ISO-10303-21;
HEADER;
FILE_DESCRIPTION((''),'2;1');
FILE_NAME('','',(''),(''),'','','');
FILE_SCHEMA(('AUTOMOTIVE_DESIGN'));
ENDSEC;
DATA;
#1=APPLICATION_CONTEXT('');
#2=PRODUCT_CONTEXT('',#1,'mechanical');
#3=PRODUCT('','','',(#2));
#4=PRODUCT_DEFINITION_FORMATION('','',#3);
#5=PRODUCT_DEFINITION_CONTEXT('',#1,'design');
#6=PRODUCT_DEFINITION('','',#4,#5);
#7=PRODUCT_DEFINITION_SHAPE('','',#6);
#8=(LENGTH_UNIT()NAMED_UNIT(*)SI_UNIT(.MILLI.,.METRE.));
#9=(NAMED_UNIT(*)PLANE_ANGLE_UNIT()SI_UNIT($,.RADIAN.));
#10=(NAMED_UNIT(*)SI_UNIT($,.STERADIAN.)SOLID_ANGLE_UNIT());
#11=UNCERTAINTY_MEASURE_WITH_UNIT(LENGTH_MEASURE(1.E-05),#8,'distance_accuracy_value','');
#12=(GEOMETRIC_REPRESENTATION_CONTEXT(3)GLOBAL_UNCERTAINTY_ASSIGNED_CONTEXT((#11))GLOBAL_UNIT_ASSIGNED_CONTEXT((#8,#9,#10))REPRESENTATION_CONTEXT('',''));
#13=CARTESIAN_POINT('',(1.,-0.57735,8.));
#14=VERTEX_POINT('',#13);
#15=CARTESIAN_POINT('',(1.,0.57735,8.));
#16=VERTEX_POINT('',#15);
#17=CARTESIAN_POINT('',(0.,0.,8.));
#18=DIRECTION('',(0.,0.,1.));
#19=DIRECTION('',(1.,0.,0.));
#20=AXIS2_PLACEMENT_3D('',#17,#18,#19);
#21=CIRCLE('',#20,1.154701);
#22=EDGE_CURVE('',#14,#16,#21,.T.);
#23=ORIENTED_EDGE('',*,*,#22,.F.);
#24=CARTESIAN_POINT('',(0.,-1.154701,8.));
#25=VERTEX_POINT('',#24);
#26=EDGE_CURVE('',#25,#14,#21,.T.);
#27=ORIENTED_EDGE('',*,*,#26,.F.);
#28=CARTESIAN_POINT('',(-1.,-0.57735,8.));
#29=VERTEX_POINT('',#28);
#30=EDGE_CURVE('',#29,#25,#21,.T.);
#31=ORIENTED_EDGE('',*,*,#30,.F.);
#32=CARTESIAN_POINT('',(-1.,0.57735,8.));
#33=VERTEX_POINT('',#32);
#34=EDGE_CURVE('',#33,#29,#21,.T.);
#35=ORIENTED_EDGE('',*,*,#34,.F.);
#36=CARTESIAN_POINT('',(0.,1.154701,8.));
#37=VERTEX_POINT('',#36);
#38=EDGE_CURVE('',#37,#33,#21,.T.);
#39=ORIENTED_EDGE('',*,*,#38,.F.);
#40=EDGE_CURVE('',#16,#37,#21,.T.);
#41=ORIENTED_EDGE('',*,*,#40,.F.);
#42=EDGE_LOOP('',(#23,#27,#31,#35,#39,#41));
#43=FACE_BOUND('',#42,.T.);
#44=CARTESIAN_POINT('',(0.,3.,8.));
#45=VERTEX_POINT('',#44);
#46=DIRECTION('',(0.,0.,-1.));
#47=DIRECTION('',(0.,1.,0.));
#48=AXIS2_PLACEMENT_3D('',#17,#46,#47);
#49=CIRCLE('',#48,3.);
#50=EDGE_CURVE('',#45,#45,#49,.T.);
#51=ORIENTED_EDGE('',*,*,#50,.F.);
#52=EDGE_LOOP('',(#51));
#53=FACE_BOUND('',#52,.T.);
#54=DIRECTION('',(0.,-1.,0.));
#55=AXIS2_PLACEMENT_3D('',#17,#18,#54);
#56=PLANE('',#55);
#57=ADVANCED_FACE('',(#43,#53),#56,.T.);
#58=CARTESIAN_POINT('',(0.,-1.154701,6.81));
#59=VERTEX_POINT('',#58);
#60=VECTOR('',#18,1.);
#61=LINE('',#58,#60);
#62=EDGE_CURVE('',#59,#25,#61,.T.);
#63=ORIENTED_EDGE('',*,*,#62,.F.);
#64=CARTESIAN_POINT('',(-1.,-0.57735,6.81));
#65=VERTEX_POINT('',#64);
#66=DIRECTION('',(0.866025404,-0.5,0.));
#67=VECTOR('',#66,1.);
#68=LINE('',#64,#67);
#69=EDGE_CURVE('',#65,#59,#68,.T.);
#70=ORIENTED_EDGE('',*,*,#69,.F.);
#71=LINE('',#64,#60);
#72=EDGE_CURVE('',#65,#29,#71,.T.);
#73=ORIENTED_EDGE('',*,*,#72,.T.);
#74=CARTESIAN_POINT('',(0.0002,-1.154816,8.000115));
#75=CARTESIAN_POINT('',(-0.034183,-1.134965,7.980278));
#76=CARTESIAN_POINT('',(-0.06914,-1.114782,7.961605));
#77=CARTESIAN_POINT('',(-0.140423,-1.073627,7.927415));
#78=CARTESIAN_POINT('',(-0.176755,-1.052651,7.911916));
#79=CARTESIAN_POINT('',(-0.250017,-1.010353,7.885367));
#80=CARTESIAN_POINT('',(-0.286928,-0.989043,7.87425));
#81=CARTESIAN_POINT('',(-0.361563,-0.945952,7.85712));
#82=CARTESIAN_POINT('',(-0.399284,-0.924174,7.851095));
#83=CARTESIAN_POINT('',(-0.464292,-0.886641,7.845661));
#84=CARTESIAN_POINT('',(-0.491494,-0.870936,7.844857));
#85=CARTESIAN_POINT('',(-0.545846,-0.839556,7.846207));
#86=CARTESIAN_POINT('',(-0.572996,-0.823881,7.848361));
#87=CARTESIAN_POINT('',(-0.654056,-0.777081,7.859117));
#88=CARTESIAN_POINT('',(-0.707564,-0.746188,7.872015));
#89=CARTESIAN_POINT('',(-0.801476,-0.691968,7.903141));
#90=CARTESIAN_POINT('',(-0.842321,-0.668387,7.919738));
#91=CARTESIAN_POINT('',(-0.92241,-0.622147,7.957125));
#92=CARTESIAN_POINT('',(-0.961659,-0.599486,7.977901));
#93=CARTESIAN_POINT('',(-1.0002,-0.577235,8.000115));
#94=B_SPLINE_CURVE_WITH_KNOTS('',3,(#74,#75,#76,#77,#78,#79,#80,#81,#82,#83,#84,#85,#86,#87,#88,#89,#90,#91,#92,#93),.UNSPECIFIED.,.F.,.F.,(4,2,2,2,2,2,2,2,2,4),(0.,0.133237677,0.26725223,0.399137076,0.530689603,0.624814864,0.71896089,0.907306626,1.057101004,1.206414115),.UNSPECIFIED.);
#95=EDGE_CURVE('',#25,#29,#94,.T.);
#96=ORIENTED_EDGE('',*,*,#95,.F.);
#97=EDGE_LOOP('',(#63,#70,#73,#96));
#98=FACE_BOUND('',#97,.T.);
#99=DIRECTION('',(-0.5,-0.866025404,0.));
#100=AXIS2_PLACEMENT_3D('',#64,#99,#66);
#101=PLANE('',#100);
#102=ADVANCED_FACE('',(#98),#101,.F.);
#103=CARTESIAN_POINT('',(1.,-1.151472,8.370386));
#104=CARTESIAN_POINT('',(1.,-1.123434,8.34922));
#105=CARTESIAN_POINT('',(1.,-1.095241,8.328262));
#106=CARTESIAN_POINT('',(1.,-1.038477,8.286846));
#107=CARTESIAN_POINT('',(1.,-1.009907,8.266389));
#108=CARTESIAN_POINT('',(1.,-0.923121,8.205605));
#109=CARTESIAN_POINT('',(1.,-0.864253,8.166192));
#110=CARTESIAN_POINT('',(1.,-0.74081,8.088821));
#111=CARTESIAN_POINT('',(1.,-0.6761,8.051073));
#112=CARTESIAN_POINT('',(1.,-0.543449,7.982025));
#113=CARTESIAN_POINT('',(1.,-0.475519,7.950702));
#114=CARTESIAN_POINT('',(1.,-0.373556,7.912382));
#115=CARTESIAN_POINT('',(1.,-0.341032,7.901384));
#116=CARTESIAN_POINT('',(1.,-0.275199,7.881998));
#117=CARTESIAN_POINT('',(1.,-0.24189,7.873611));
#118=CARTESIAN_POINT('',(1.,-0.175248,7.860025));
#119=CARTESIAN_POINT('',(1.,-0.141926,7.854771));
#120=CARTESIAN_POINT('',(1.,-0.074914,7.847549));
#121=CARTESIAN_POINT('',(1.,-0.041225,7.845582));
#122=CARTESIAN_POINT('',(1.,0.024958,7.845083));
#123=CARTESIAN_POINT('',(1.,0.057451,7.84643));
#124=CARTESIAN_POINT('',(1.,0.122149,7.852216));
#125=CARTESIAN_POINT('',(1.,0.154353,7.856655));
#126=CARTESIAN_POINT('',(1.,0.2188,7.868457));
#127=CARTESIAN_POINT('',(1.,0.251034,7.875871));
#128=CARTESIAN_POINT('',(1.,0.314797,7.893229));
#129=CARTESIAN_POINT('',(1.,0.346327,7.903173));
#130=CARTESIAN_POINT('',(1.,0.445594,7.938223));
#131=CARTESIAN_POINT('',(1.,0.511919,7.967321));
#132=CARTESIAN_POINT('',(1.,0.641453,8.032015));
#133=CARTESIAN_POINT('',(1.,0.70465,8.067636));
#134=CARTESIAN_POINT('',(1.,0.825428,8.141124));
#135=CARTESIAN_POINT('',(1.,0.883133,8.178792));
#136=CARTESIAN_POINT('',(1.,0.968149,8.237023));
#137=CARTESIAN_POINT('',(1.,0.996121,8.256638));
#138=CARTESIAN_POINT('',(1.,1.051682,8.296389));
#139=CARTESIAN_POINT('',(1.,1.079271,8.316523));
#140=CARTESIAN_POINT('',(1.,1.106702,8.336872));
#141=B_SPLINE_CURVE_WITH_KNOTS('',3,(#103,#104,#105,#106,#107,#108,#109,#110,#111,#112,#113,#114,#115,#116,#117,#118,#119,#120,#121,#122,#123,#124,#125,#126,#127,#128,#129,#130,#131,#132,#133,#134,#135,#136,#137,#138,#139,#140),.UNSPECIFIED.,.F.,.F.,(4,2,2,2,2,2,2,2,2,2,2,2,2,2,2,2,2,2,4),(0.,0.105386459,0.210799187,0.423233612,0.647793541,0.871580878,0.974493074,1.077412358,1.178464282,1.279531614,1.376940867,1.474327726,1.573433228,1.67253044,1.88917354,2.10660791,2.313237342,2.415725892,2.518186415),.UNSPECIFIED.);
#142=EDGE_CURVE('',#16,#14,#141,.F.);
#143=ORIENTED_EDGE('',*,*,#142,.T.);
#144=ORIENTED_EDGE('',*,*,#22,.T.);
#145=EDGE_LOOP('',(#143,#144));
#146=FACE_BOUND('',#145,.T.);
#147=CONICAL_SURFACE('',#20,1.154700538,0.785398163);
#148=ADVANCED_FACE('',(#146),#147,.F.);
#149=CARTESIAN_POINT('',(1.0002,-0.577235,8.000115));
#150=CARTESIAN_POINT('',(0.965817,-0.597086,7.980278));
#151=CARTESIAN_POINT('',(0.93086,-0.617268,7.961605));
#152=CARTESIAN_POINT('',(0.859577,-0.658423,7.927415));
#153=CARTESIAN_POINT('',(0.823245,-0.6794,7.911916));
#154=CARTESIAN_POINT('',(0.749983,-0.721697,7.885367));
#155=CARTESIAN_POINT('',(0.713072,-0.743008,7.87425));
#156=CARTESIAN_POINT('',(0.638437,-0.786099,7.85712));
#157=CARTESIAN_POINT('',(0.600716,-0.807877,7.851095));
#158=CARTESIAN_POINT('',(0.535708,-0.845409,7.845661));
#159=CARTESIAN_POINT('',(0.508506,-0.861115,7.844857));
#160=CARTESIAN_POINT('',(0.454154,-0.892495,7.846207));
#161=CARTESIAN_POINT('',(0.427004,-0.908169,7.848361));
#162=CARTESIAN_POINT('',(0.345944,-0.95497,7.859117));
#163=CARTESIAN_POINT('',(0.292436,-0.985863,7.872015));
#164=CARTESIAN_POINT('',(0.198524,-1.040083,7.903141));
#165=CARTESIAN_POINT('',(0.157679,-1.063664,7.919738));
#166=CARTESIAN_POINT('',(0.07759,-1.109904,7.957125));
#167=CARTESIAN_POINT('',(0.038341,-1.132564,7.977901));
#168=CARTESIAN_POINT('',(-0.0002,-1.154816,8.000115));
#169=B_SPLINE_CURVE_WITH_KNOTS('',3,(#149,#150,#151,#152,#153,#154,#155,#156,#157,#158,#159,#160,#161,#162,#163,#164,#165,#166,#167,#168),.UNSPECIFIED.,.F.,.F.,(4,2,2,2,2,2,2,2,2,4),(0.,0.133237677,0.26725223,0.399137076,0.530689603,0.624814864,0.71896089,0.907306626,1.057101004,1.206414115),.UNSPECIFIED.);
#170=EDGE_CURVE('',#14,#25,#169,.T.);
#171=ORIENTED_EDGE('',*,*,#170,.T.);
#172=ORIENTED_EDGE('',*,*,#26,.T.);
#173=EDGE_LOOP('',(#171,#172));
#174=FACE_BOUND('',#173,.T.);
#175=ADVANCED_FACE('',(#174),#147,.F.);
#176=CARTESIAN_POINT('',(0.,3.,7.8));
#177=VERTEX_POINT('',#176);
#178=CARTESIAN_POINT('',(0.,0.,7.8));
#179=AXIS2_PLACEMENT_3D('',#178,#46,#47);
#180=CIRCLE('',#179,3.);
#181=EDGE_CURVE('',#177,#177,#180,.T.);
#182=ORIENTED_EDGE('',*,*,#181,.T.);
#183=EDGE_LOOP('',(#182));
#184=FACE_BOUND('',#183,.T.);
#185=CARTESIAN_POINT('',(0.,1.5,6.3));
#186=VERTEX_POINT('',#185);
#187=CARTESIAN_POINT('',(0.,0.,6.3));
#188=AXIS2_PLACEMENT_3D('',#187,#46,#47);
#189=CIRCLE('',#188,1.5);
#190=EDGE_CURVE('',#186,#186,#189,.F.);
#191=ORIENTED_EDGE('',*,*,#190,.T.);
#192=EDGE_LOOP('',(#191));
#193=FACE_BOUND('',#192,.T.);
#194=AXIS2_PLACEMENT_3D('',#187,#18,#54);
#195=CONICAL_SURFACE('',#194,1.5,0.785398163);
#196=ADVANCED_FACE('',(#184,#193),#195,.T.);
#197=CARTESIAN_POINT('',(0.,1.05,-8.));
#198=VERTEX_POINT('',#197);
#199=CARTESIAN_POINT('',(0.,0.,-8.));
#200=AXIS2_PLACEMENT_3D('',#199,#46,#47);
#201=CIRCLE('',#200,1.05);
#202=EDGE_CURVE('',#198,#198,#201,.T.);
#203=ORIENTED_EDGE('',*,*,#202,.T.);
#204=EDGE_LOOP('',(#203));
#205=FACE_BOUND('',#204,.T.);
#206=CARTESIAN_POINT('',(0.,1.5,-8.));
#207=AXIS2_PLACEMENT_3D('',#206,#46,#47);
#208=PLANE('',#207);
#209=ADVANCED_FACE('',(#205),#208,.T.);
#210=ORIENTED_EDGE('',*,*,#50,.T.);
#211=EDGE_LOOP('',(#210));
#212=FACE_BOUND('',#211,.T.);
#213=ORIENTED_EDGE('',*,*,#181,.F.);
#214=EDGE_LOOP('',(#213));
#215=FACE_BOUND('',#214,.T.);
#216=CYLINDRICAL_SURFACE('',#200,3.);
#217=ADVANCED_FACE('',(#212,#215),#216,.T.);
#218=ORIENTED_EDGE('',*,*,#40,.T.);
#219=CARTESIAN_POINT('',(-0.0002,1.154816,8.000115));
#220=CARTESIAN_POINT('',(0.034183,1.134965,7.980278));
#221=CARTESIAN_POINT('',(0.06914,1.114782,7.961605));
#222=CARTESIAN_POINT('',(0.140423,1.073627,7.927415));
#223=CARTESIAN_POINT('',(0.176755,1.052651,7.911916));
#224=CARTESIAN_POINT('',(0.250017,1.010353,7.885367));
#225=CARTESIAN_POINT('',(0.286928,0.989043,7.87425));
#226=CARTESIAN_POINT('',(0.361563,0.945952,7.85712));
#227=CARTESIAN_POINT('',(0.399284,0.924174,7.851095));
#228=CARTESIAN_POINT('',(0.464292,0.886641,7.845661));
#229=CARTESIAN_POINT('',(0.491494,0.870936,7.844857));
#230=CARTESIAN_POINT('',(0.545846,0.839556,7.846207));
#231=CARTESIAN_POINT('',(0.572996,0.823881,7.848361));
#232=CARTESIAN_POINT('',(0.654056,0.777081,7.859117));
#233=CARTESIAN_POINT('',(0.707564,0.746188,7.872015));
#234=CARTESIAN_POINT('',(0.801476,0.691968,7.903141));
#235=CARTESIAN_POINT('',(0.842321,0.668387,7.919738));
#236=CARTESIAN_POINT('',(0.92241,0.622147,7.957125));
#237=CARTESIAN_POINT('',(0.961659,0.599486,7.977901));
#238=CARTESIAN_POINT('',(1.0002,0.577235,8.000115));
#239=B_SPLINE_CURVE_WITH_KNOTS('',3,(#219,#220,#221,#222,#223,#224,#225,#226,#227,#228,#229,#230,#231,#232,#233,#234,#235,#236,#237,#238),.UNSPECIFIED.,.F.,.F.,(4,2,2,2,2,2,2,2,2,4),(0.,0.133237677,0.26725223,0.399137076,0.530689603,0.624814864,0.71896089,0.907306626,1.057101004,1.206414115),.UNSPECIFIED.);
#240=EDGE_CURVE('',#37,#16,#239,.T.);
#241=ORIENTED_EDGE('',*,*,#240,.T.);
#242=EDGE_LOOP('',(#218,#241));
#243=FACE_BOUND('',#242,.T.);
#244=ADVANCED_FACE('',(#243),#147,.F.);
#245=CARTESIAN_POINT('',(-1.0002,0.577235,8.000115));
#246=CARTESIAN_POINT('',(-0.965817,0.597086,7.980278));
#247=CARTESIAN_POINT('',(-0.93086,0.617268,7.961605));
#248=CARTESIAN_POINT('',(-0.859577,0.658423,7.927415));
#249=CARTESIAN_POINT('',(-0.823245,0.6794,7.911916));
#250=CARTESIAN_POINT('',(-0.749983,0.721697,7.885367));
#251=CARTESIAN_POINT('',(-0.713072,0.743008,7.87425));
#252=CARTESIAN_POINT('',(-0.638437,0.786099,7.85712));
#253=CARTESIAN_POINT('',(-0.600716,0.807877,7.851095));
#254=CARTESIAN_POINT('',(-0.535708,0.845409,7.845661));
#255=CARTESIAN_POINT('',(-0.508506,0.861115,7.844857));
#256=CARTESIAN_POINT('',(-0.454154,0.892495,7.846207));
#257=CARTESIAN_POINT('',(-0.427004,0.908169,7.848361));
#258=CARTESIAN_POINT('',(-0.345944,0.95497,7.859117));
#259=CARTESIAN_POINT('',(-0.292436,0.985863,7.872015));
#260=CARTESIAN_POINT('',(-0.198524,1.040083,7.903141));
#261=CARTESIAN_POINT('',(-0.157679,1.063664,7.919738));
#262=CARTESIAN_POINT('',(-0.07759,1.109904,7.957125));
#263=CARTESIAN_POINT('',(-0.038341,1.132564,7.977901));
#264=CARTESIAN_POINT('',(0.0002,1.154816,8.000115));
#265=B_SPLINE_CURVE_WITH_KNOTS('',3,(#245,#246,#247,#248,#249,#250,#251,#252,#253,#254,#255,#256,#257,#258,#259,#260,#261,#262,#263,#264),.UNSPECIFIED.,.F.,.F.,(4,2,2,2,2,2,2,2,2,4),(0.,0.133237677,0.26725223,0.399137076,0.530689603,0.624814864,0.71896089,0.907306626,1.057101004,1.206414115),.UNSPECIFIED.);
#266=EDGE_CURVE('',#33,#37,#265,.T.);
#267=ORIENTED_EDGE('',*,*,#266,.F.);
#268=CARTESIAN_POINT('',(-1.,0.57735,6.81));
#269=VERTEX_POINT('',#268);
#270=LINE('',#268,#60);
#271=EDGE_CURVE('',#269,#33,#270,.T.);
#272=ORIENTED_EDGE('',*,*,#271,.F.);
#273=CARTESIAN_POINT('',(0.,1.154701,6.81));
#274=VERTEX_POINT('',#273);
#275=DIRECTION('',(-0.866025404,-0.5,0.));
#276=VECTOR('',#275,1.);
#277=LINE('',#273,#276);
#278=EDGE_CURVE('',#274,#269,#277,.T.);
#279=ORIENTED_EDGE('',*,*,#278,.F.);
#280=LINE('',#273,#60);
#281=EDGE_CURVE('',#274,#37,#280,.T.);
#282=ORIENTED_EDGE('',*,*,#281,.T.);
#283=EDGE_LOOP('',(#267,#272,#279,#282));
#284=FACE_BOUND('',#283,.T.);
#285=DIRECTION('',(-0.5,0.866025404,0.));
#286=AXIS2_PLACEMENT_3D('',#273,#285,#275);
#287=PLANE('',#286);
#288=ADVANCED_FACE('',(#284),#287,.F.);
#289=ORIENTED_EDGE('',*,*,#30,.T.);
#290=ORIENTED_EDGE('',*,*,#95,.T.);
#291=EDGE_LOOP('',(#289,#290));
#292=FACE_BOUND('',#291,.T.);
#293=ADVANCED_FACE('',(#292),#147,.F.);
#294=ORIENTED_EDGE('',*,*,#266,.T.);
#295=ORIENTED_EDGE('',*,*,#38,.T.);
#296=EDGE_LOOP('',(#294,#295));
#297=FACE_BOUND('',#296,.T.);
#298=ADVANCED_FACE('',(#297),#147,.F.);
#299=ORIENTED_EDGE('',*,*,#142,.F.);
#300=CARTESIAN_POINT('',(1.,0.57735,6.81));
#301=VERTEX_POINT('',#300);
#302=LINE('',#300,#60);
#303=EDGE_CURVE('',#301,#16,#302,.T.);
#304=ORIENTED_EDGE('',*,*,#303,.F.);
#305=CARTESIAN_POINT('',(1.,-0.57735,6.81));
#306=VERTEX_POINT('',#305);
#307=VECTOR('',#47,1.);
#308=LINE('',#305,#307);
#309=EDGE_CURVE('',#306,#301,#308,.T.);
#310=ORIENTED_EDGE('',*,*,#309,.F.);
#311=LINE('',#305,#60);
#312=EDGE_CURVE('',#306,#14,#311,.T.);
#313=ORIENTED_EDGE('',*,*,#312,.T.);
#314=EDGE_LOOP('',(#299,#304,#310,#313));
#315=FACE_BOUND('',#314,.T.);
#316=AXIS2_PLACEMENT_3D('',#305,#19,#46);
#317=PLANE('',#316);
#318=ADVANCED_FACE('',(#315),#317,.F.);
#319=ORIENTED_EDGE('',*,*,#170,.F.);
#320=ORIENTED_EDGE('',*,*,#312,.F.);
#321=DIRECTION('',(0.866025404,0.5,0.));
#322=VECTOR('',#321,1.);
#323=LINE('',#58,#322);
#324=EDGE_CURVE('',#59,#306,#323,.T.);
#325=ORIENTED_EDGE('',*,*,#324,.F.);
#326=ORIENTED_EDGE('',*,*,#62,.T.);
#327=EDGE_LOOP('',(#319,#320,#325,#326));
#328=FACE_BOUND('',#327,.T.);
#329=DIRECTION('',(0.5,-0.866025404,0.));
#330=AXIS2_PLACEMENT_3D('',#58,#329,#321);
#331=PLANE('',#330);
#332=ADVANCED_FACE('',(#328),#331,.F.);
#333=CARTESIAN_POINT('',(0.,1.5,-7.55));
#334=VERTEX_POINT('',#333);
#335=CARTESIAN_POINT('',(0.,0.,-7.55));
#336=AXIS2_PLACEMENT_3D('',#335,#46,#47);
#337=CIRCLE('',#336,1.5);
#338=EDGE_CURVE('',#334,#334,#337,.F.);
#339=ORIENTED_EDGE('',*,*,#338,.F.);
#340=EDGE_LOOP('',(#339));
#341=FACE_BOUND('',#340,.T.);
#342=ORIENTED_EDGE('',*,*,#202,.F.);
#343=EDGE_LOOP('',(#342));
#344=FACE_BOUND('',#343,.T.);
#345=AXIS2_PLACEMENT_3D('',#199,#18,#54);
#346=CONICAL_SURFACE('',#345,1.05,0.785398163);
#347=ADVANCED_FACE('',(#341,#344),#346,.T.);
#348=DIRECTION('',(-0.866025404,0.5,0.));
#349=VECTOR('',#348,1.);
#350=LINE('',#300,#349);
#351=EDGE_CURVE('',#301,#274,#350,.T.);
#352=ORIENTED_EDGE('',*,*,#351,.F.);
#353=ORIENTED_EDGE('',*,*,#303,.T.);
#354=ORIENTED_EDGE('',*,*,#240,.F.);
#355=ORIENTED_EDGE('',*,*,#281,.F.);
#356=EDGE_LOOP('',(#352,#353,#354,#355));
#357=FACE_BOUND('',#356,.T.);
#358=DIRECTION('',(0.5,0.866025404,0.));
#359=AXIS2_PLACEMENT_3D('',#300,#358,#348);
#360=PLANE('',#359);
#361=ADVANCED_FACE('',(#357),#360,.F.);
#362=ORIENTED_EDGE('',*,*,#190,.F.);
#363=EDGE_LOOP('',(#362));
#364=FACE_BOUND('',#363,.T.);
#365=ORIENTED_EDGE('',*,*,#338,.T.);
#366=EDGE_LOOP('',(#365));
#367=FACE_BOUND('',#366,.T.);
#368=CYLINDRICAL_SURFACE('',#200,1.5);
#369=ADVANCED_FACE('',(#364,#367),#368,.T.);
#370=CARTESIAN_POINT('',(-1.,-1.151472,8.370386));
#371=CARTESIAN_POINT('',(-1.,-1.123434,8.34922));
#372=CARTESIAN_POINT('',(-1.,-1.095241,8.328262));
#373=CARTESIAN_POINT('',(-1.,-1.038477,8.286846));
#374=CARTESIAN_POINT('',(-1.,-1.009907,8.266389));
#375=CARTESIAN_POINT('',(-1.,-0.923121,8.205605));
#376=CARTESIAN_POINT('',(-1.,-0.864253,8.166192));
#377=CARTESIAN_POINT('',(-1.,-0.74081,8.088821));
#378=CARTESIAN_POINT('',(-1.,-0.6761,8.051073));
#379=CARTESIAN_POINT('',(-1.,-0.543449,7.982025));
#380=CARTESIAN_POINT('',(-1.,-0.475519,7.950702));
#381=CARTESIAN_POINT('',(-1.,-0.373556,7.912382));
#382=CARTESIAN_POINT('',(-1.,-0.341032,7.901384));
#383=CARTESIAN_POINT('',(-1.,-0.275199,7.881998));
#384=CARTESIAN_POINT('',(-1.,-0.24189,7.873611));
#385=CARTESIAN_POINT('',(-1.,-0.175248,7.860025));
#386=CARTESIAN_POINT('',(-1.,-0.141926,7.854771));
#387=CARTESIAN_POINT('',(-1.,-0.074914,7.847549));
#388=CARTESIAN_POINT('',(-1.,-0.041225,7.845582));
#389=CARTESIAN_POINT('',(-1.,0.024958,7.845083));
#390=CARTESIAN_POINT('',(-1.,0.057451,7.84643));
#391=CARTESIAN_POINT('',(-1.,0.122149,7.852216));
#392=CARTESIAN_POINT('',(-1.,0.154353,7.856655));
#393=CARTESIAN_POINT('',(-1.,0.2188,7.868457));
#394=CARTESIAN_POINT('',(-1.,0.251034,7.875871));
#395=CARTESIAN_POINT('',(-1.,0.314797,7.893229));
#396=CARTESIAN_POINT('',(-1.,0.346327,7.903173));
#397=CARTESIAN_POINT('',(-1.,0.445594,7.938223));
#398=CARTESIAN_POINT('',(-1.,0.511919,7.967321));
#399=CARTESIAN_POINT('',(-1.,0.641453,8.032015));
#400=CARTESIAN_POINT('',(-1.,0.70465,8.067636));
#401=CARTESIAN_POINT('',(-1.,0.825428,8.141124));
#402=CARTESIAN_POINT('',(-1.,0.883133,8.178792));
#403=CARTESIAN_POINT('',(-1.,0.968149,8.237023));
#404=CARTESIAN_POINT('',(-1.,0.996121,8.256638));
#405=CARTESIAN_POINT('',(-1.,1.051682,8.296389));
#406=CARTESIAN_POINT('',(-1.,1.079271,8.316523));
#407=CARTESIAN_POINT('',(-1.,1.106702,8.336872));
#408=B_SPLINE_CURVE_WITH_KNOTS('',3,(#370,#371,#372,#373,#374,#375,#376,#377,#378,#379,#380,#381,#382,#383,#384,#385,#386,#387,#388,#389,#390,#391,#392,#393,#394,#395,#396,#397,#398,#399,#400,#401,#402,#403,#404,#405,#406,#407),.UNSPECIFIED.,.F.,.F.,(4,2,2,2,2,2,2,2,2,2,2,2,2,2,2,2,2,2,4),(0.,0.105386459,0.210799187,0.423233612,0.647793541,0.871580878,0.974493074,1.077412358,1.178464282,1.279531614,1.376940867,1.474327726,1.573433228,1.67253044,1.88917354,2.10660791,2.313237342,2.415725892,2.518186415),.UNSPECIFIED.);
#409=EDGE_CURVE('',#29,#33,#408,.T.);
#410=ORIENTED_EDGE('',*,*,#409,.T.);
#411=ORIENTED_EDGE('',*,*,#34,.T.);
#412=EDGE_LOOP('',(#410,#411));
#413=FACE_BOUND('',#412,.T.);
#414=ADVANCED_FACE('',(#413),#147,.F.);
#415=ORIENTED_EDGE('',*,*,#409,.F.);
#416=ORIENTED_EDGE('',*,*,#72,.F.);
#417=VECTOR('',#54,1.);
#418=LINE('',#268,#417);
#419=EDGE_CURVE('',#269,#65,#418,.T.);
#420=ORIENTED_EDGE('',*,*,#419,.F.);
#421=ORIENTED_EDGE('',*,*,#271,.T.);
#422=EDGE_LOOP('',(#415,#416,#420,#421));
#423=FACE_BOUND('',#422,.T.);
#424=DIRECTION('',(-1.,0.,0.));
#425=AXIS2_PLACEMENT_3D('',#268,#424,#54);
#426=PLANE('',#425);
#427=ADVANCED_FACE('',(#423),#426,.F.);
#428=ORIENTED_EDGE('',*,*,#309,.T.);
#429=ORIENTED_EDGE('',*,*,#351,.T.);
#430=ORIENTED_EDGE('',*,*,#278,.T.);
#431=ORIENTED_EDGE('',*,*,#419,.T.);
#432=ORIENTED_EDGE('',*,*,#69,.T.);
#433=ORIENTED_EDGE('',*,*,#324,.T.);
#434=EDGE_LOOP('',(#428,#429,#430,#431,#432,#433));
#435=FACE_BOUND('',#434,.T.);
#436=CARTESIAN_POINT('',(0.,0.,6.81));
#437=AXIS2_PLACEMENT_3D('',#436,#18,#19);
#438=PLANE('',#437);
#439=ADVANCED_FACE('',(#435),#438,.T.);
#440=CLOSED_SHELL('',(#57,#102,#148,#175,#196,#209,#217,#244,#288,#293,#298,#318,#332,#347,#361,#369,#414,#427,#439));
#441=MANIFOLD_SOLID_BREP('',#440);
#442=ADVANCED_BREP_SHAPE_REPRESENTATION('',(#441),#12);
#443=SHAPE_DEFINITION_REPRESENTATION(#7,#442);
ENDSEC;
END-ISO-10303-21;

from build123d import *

# Parameters (mm, degrees)
SKETCH3_W          = 16
SKETCH3_H          = 1.5
CHAMFER1_SIZE      = 0.45
CUT_EXTRUDE1_DEPTH = 1.19


with BuildPart() as part:
    # Sketch3 → Revolve1 (revolve)
    with BuildSketch(Plane(origin=(0, 0, 0), x_dir=(0, 0, -1), z_dir=(1, 0, 0))):
        with Locations((0, 0.75)):
            Rectangle(SKETCH3_W, SKETCH3_H)
    revolve(axis=Axis((0, 0, -8), (0, 0, 1)))

    # Chamfer1
    chamfer1_edges = [part.edges().sort_by_distance(p)[0] for p in [
        (0, -1.5, -8),
    ]]
    chamfer(chamfer1_edges, length=CHAMFER1_SIZE)

    # Sketch6 → Revolve2 (revolve)
    with BuildSketch(Plane(origin=(0, 0, 0), x_dir=(0, 0, -1), z_dir=(1, 0, 0))):
        Polygon((-8, 3), (-7.8, 3), (-6.3, 1.5), (-6.3, 0), (-8, 0), align=None)
    revolve(axis=Axis((0, 0, -8), (0, 0, 1)))

    # Sketch8 → Cut-Extrude1 (cut)
    with BuildSketch(Plane.XY.offset(8)):
        Polygon((0, 1.154700538), (-1, 0.577350269), (-1, -0.577350269), (0, -1.154700538), (1, -0.577350269), (1, 0.577350269), align=None)
    extrude(amount=-CUT_EXTRUDE1_DEPTH, mode=Mode.SUBTRACT)

    # Cut-Extrude2 cone 1 section (through the dimple's axis) → Cut-Extrude2 (revolve, cut)
    with BuildSketch(Plane(origin=(0, 0, 8), x_dir=(0, -1, 0), z_dir=(1, 0, 0))):
        Polygon((0, 0), (1.154700538, 0), (0, 1.154700538), align=None)
    revolve(axis=Axis((0, 0, 8), (0, 0, -1)), mode=Mode.SUBTRACT)


solid = part.part
